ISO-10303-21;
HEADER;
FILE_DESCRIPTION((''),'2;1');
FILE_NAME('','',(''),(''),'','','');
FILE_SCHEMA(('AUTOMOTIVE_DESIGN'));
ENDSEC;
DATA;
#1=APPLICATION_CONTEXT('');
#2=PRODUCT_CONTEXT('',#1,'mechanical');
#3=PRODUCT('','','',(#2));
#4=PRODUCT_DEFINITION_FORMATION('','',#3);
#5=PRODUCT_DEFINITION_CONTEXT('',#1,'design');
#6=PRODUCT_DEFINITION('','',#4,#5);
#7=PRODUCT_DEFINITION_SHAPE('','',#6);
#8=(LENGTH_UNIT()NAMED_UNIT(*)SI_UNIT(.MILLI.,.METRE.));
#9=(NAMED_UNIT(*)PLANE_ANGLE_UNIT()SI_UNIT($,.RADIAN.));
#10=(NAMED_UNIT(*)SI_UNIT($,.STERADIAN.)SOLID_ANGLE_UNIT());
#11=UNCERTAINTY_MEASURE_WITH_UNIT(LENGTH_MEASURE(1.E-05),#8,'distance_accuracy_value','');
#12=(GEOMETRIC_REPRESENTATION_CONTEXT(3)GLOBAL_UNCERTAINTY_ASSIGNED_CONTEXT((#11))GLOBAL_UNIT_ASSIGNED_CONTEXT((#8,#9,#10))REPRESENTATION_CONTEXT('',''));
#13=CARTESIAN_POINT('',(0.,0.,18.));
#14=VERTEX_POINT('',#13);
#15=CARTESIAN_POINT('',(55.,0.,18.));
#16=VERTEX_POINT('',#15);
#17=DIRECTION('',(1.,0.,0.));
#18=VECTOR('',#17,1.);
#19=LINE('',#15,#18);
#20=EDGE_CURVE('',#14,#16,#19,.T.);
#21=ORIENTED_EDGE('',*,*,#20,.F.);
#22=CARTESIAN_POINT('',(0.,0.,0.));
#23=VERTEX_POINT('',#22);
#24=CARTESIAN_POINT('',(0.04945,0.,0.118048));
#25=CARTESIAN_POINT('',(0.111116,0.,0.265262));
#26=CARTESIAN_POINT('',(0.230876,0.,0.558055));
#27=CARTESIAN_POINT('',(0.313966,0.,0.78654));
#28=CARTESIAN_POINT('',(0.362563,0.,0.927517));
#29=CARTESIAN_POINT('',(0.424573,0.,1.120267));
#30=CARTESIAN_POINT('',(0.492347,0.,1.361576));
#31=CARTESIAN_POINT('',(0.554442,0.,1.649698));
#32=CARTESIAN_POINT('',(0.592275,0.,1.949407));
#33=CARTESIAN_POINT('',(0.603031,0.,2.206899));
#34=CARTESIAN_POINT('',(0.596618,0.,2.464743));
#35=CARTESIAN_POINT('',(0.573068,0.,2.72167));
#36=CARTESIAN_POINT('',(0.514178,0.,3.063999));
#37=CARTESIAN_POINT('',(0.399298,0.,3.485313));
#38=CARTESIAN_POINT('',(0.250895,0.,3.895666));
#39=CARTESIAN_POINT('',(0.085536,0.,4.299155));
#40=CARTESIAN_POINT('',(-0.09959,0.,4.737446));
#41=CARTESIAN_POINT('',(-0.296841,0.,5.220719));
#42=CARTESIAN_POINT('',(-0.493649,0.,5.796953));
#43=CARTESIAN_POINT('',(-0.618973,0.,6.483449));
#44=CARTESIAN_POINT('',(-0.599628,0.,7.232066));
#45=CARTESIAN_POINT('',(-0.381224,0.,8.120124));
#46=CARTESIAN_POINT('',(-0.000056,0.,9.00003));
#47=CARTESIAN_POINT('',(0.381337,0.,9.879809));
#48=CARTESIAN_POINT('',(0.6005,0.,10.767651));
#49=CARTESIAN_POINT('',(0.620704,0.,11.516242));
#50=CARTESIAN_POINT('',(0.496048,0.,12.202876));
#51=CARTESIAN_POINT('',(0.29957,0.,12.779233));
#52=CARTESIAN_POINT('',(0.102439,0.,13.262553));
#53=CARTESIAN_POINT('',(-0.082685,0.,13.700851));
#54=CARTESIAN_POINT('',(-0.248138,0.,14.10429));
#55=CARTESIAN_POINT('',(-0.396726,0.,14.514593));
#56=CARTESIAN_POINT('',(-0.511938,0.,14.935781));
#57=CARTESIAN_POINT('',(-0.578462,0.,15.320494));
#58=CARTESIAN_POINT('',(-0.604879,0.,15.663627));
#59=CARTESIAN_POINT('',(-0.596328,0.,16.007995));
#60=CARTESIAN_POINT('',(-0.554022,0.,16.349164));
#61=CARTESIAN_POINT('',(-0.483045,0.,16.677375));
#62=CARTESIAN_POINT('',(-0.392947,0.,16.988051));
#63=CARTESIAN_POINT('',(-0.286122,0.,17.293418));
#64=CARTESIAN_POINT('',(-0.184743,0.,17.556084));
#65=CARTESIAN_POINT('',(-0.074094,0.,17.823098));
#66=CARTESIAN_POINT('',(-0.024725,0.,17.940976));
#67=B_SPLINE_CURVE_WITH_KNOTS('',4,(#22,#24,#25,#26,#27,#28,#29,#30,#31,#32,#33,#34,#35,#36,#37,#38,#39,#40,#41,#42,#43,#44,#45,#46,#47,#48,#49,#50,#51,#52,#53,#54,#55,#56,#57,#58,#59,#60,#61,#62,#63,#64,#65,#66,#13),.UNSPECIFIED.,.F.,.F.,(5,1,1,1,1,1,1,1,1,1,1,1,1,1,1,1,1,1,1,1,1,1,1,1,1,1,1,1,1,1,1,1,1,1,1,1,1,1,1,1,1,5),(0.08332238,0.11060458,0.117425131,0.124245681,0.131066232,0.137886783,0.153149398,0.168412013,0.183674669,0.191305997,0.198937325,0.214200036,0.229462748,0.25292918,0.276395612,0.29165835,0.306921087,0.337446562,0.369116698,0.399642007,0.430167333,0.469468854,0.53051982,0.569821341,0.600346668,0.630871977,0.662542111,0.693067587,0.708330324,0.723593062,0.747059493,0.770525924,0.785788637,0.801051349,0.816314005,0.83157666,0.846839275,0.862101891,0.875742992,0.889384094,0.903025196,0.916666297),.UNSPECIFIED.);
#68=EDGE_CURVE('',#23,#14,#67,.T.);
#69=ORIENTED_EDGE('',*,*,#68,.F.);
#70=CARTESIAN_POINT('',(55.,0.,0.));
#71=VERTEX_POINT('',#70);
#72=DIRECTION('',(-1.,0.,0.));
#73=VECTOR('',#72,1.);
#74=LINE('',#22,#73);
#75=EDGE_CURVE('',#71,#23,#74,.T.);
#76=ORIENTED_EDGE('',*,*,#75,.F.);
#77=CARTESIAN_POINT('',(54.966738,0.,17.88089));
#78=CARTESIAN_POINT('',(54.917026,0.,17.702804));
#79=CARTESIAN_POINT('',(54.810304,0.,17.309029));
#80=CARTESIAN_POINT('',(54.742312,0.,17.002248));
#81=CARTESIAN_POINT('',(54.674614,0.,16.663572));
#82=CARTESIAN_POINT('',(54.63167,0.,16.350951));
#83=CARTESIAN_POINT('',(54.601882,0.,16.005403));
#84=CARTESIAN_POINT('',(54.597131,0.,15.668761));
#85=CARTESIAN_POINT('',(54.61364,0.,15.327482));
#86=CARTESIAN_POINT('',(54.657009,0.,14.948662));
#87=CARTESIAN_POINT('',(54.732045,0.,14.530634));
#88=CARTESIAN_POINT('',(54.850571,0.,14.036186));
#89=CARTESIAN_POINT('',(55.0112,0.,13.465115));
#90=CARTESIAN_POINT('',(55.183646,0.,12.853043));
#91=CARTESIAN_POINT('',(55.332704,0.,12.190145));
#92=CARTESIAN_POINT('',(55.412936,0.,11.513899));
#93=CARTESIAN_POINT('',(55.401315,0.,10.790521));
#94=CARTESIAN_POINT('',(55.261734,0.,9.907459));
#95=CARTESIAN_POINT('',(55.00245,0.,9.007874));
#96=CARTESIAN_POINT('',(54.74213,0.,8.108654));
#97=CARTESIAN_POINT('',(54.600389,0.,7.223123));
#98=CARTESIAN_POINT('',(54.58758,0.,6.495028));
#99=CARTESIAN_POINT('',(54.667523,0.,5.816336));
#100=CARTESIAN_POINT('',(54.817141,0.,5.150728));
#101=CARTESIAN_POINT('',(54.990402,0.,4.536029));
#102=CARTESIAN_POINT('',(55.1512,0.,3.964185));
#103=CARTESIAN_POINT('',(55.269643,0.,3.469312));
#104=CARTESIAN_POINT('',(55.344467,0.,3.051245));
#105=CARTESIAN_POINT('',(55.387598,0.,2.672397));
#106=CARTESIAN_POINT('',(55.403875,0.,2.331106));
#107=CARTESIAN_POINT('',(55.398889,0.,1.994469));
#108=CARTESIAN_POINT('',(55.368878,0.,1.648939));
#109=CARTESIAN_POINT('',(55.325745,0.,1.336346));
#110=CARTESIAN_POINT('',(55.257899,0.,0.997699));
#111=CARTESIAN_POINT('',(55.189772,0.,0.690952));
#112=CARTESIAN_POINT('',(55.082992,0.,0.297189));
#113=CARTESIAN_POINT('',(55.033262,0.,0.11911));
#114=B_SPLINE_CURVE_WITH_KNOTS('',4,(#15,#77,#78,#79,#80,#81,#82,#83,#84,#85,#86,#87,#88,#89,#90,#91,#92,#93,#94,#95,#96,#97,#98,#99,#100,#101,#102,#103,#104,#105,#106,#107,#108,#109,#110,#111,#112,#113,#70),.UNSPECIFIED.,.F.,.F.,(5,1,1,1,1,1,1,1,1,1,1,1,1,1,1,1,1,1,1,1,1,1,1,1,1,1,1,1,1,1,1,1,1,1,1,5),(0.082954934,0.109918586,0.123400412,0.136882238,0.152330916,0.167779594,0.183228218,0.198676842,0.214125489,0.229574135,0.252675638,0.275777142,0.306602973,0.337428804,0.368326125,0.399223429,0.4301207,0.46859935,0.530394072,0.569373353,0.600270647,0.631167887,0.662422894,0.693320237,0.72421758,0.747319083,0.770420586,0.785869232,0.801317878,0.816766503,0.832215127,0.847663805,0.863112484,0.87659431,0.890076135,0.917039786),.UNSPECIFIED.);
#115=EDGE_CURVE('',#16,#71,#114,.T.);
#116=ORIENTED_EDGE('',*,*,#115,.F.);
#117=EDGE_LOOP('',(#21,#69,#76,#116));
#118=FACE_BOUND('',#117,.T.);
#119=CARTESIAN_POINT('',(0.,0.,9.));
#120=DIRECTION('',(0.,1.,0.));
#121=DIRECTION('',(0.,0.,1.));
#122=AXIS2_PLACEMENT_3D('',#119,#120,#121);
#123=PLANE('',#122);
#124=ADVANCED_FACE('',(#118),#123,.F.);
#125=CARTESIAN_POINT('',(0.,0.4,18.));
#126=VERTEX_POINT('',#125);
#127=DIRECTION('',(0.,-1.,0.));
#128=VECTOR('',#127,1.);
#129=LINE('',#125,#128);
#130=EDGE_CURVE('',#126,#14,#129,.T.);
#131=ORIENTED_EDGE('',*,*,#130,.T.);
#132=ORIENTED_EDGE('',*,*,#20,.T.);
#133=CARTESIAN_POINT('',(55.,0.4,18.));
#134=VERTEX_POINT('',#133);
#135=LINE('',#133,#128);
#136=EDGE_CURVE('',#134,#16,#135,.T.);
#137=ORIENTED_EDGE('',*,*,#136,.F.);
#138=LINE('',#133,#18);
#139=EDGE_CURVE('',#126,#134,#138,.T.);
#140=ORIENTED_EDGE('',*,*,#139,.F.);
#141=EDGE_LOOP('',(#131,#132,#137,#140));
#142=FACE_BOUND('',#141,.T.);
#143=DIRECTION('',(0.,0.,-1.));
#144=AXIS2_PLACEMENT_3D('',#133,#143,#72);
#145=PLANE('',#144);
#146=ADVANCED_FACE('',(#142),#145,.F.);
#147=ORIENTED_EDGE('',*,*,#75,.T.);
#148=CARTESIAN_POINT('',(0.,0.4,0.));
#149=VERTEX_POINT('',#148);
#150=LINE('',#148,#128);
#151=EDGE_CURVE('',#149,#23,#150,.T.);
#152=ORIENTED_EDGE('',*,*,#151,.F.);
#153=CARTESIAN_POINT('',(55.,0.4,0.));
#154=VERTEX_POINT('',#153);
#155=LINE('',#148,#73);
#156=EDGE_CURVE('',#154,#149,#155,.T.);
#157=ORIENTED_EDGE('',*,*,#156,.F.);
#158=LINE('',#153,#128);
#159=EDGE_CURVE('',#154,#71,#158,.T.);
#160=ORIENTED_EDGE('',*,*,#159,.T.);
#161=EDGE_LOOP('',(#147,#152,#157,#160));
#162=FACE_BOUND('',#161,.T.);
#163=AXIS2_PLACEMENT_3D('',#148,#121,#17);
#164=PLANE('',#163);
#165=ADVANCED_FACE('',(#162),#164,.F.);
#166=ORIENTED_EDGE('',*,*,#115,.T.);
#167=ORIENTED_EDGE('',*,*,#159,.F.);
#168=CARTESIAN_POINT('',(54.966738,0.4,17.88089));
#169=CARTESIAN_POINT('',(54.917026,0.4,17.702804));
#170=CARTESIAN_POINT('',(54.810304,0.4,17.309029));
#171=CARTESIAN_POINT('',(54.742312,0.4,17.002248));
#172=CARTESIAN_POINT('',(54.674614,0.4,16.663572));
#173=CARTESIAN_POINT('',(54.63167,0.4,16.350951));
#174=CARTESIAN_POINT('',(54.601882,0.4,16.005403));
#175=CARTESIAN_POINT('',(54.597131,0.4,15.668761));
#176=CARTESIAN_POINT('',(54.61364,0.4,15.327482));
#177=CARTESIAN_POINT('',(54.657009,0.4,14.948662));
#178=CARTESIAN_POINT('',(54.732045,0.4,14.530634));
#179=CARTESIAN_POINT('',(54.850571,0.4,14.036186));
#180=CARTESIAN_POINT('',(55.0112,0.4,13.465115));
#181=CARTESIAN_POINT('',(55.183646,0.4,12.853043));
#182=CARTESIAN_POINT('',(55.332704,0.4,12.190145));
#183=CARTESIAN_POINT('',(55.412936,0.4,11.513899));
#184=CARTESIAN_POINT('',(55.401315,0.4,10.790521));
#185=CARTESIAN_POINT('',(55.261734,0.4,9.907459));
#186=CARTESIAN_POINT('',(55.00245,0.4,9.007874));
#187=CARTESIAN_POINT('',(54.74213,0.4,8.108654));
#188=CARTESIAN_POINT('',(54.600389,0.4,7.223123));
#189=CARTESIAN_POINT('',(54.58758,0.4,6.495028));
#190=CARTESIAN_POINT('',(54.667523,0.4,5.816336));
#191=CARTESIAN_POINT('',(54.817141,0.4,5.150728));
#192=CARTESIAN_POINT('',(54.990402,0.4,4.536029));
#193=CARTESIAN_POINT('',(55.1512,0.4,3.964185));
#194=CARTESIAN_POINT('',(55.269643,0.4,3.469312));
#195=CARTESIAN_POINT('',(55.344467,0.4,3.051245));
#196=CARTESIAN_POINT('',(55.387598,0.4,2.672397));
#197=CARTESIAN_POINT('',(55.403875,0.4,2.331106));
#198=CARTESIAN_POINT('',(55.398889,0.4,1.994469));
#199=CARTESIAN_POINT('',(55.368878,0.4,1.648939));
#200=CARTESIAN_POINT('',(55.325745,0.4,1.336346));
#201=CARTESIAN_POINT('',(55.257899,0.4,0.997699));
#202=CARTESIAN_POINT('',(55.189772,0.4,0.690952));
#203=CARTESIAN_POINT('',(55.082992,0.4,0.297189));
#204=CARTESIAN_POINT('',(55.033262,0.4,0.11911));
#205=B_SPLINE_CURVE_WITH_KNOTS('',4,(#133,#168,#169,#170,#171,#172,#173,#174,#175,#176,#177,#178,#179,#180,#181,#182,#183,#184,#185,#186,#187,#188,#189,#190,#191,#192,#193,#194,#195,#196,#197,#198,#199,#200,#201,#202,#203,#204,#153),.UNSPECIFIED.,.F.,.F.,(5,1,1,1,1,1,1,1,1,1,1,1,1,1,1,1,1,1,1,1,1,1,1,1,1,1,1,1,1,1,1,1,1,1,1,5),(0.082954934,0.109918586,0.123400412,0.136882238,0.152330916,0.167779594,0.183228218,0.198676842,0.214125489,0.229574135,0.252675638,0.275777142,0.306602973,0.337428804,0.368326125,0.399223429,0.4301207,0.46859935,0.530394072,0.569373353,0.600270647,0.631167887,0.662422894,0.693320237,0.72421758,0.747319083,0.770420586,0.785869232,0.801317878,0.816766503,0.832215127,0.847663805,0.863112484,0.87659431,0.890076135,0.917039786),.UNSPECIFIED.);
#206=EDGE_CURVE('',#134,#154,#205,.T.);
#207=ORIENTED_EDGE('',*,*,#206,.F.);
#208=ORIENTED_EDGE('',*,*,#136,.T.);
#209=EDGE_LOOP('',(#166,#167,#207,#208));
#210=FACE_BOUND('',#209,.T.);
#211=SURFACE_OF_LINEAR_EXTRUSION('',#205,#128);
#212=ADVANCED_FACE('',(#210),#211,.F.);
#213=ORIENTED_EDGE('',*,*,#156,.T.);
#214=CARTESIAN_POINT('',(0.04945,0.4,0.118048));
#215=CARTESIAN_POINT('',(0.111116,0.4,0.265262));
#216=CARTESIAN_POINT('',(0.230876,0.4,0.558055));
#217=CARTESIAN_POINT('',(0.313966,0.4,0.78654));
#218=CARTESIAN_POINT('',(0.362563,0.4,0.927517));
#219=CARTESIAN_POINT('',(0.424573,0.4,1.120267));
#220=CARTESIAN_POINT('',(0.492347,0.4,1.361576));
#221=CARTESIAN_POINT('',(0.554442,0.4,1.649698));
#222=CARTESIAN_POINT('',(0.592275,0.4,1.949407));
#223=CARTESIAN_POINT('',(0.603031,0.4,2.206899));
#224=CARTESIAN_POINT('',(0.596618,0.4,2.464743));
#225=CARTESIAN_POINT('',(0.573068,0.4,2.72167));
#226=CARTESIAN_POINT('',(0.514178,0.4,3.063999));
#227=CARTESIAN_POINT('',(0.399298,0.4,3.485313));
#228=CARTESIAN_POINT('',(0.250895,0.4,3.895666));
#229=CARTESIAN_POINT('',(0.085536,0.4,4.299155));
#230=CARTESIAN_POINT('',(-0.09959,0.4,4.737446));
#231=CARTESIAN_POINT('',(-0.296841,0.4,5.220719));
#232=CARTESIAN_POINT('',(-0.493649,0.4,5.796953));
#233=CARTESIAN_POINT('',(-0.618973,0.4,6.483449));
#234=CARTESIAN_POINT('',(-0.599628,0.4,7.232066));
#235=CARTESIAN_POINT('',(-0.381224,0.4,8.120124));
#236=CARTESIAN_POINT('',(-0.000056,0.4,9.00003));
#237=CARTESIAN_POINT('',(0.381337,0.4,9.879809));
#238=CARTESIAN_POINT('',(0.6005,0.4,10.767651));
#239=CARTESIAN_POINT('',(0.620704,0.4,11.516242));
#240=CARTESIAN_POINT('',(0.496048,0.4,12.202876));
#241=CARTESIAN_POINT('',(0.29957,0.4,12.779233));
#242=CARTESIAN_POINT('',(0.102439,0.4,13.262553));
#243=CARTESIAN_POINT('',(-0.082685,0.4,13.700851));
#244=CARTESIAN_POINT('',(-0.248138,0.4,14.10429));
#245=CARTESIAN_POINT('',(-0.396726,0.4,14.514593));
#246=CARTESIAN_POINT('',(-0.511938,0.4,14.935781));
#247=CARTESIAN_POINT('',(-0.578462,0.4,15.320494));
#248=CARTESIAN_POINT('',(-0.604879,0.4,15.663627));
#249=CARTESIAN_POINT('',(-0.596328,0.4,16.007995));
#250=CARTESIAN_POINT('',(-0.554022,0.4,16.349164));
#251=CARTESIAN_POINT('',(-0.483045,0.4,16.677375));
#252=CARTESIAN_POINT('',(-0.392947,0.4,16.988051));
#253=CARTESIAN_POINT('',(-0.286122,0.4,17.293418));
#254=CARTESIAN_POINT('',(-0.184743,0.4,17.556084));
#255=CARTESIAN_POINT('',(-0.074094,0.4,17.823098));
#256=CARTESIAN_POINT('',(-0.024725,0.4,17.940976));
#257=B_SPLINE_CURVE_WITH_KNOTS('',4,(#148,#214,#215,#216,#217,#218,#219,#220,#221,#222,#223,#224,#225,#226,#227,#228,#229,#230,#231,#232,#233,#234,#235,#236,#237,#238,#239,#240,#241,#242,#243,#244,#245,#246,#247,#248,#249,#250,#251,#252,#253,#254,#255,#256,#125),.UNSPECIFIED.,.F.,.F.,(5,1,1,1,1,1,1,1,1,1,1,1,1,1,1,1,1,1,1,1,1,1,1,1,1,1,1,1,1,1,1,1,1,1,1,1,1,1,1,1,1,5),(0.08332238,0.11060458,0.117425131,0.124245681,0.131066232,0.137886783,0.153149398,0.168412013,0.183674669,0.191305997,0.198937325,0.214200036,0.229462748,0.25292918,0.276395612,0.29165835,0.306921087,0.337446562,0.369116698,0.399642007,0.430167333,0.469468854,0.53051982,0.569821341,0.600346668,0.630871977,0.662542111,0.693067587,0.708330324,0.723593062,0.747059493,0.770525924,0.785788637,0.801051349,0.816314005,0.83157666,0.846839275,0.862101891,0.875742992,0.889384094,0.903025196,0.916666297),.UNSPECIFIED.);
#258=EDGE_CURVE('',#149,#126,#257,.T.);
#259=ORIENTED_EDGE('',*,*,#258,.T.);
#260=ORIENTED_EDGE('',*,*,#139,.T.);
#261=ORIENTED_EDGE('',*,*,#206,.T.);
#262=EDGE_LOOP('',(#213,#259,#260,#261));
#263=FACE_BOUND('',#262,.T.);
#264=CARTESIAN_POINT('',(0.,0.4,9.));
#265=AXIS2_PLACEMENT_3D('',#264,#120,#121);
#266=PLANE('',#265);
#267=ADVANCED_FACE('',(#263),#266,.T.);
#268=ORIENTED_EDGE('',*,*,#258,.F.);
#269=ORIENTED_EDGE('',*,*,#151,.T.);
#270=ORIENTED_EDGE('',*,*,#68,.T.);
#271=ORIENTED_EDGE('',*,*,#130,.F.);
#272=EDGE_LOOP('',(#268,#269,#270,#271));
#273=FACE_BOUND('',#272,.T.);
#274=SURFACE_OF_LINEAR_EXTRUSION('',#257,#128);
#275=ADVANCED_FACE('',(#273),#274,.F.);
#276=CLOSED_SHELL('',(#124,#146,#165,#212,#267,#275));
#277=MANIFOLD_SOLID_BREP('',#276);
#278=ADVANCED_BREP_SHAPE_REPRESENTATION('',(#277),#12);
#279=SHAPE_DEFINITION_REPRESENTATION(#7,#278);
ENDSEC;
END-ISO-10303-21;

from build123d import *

# Parameters (mm, degrees)
BOSS_EXTRUDE1_DEPTH = 0.4


with BuildPart() as part:
    # Sketch1 → Boss-Extrude1 (new body)
    with BuildSketch(Plane(origin=(0, 0, 0), x_dir=(1, 0, 0), z_dir=(0, 1, 0))):
        with BuildLine():
            Line((0, 0), (55, 0))
            add(Edge.make_bspline(
                [(55, 0), (55.033262254, -0.11910992), (55.082991541, -0.297189427), (55.189772351, -0.69095155), (55.257898591, -0.997698602), (55.325744816, -1.336345897), (55.368877768, -1.648938844), (55.398888986, -1.994468715), (55.403875393, -2.331105954), (55.387597755, -2.672397061), (55.344466555, -3.051244756), (55.269643322, -3.469311628), (55.151200158, -3.964185261), (54.990401734, -4.536028524), (54.817141498, -5.150727725), (54.667523026, -5.816335608), (54.587580107, -6.495028261), (54.600388862, -7.223123132), (54.742130419, -8.108654486), (55.002450481, -9.007873921), (55.261734401, -9.907459056), (55.401315475, -10.790521339), (55.412936347, -11.513899459), (55.332704186, -12.19014491), (55.183645522, -12.853043473), (55.01119991, -13.465115176), (54.850570507, -14.036186493), (54.732045155, -14.53063447), (54.657008519, -14.948661692), (54.613640075, -15.327481905), (54.59713117, -15.668761216), (54.601881624, -16.005402716), (54.63167005, -16.350951124), (54.674614398, -16.66357237), (54.742311673, -17.002247722), (54.810304458, -17.309028986), (54.917025725, -17.702804036), (54.966737826, -17.88089003), (55, -18)],
                knots=[0.082954934, 0.082954934, 0.082954934, 0.082954934, 0.082954934, 0.109918584, 0.12340041, 0.136882236, 0.152330914, 0.167779593, 0.183228217, 0.198676842, 0.214125488, 0.229574134, 0.252675637, 0.27577714, 0.306674483, 0.337571825, 0.368826832, 0.399724073, 0.430621367, 0.469600647, 0.53139537, 0.56987402, 0.600771291, 0.631668595, 0.662565916, 0.693391747, 0.724217578, 0.747319081, 0.770420585, 0.785869231, 0.801317877, 0.816766502, 0.832215126, 0.847663804, 0.863112482, 0.876594308, 0.890076134, 0.917039786, 0.917039786, 0.917039786, 0.917039786, 0.917039786], degree=4))
            Line((55, -18), (0, -18))
            add(Edge.make_bspline(
                [(0, 0), (0.049449566, -0.118048236), (0.111116121, -0.265261767), (0.230875713, -0.558055111), (0.313966248, -0.78653977), (0.362563048, -0.927516596), (0.424573498, -1.120266976), (0.492346834, -1.361576076), (0.554441877, -1.649698324), (0.592274908, -1.949406714), (0.603031319, -2.206899085), (0.596617784, -2.46474337), (0.573067652, -2.7216697), (0.514178041, -3.063998966), (0.399297623, -3.48531299), (0.25089524, -3.895665746), (0.085536401, -4.299154578), (-0.099590356, -4.737446397), (-0.296840696, -5.220718922), (-0.493648556, -5.796953023), (-0.618973463, -6.483449136), (-0.599627972, -7.232066465), (-0.381223591, -8.120124004), (-5.5686e-05, -9.00003028), (0.381336688, -9.879808571), (0.600500416, -10.767651071), (0.620704458, -11.51624215), (0.496048404, -12.202876161), (0.299570119, -12.779233487), (0.102439222, -13.262553413), (-0.082685047, -13.700851056), (-0.248137811, -14.104290103), (-0.396725969, -14.51459272), (-0.511937812, -14.935780978), (-0.578462018, -15.320493582), (-0.60487923, -15.663626876), (-0.59632784, -16.00799493), (-0.554022381, -16.349164286), (-0.483044582, -16.677374827), (-0.392947327, -16.98805117), (-0.286122, -17.293418434), (-0.184743293, -17.556083772), (-0.074093584, -17.823098462), (-0.024724736, -17.940975828), (0, -18)],
                knots=[0.08332238, 0.08332238, 0.08332238, 0.08332238, 0.08332238, 0.11060458, 0.117425131, 0.124245681, 0.131066232, 0.137886783, 0.153149398, 0.168412013, 0.183674669, 0.191305997, 0.198937325, 0.214200036, 0.229462748, 0.25292918, 0.276395612, 0.29165835, 0.306921087, 0.337446562, 0.369116698, 0.399642007, 0.430167333, 0.469468854, 0.53051982, 0.569821341, 0.600346668, 0.630871977, 0.662542111, 0.693067587, 0.708330324, 0.723593062, 0.747059493, 0.770525924, 0.785788637, 0.801051349, 0.816314005, 0.83157666, 0.846839275, 0.862101891, 0.875742992, 0.889384094, 0.903025196, 0.916666297, 0.916666297, 0.916666297, 0.916666297, 0.916666297], degree=4))
        make_face()
    extrude(amount=BOSS_EXTRUDE1_DEPTH)


solid = part.part
